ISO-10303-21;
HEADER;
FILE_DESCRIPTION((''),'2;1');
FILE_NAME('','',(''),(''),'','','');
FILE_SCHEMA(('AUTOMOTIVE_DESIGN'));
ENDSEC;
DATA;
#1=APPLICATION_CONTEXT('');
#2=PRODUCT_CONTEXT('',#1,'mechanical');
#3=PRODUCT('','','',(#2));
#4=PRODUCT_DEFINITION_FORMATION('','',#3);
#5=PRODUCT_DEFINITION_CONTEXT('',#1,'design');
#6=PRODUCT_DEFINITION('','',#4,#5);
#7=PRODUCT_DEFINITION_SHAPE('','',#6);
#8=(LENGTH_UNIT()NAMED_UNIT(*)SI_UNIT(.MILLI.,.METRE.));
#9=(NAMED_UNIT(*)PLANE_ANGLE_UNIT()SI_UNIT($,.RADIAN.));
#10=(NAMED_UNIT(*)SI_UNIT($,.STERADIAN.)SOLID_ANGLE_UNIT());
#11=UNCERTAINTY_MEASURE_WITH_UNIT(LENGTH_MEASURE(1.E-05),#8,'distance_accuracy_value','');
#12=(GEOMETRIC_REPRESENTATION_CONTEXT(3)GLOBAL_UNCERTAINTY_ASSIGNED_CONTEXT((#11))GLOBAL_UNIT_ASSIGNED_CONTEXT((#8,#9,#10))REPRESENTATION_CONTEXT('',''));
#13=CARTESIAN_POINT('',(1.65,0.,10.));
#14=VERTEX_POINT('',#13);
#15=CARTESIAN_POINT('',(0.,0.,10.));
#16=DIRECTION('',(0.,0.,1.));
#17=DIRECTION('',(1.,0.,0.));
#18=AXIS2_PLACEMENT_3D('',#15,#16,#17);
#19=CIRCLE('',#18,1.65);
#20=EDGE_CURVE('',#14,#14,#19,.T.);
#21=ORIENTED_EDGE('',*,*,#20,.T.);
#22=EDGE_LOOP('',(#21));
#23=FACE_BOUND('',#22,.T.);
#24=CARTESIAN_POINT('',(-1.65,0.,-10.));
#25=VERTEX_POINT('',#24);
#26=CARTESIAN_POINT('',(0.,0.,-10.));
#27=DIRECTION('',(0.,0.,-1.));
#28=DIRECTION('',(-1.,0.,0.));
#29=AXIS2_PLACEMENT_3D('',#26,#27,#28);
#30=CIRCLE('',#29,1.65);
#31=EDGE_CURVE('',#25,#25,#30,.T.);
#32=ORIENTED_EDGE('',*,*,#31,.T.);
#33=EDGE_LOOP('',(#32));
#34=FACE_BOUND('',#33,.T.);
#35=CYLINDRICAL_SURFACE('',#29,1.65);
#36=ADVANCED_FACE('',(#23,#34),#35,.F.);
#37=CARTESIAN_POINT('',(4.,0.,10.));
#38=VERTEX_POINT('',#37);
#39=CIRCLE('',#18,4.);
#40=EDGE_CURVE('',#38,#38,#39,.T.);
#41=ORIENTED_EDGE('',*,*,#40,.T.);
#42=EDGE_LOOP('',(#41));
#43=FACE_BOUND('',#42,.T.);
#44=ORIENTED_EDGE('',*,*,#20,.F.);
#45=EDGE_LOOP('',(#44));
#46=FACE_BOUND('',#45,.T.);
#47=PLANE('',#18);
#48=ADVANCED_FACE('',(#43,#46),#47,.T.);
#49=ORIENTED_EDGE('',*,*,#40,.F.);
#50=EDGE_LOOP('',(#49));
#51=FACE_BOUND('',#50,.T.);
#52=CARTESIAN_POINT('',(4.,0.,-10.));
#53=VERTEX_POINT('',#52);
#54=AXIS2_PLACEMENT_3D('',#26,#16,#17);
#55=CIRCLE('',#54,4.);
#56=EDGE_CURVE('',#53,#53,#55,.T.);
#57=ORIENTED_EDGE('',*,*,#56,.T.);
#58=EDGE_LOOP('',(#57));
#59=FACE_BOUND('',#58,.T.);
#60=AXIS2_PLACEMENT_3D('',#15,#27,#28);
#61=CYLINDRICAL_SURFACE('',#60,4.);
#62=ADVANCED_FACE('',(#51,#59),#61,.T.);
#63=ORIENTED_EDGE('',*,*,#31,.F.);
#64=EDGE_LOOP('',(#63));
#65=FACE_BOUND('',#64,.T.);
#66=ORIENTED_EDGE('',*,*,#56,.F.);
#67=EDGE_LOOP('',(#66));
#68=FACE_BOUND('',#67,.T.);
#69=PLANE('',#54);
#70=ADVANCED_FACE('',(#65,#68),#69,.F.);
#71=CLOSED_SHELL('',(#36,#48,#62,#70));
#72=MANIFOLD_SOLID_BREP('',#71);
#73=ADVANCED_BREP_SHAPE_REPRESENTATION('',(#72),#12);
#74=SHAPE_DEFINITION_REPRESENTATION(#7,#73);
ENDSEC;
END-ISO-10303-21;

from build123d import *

# Parameters (mm, degrees)
SKETCH_1_R               = 4
SKETCH_1_R_2             = 1.25
EXTRUDE_1_DEPTH          = 10
M4X0_7_1_D               = 3.3
M4X0_7_1_DEPTH           = 11.5
M4X0_7_1_TIP             = 0.991420021
M4X0_7_1_ON_FACE_2_D     = 3.3
M4X0_7_1_ON_FACE_2_DEPTH = 11.5
M4X0_7_1_ON_FACE_2_TIP   = 0.991420021
M4X0_7_1_ON_FACE_3_D     = 3.3
M4X0_7_1_ON_FACE_3_DEPTH = 11.5
M4X0_7_1_ON_FACE_3_TIP   = 0.991420021


with BuildPart() as part:
    # ｽｹｯﾁ1 → ﾎﾞｽ - 押し出し1 (new body, symmetric)
    with BuildSketch(Plane.XY):
        Circle(SKETCH_1_R)
        Circle(SKETCH_1_R_2, mode=Mode.SUBTRACT)
        Circle(SKETCH_1_R_2)
    extrude(amount=EXTRUDE_1_DEPTH, both=True)

    # M4x0.7 ねじ穴1
    with Locations(Plane(origin=(0, 0, -10), x_dir=(0, -1, 0), z_dir=(0, 0, -1))):
        with Locations((0, 0)):
            Hole(M4X0_7_1_D / 2, depth=M4X0_7_1_DEPTH)
            with Locations((0, 0, -(M4X0_7_1_DEPTH + M4X0_7_1_TIP / 2))):  # 118° drill point
                Cone(0, M4X0_7_1_D / 2, M4X0_7_1_TIP, mode=Mode.SUBTRACT)

    # M4x0.7 ねじ穴1 on face 2
    with Locations(Plane(origin=(0, 0, 0), x_dir=(0, -1, 0), z_dir=(0, 0, -1))):
        with Locations((0, 0), (-3.399491027, 15.650266716), (-2.590821191, 13.66210105)):
            Hole(M4X0_7_1_ON_FACE_2_D / 2, depth=M4X0_7_1_ON_FACE_2_DEPTH)
            with Locations((0, 0, -(M4X0_7_1_ON_FACE_2_DEPTH + M4X0_7_1_ON_FACE_2_TIP / 2))):  # 118° drill point
                Cone(0, M4X0_7_1_ON_FACE_2_D / 2, M4X0_7_1_ON_FACE_2_TIP, mode=Mode.SUBTRACT)

    # M4x0.7 ねじ穴1 on face 3
    with Locations(Plane.XY.offset(10)):
        with Locations((0, 0)):
            Hole(M4X0_7_1_ON_FACE_3_D / 2, depth=M4X0_7_1_ON_FACE_3_DEPTH)
            with Locations((0, 0, -(M4X0_7_1_ON_FACE_3_DEPTH + M4X0_7_1_ON_FACE_3_TIP / 2))):  # 118° drill point
                Cone(0, M4X0_7_1_ON_FACE_3_D / 2, M4X0_7_1_ON_FACE_3_TIP, mode=Mode.SUBTRACT)


solid = part.part
